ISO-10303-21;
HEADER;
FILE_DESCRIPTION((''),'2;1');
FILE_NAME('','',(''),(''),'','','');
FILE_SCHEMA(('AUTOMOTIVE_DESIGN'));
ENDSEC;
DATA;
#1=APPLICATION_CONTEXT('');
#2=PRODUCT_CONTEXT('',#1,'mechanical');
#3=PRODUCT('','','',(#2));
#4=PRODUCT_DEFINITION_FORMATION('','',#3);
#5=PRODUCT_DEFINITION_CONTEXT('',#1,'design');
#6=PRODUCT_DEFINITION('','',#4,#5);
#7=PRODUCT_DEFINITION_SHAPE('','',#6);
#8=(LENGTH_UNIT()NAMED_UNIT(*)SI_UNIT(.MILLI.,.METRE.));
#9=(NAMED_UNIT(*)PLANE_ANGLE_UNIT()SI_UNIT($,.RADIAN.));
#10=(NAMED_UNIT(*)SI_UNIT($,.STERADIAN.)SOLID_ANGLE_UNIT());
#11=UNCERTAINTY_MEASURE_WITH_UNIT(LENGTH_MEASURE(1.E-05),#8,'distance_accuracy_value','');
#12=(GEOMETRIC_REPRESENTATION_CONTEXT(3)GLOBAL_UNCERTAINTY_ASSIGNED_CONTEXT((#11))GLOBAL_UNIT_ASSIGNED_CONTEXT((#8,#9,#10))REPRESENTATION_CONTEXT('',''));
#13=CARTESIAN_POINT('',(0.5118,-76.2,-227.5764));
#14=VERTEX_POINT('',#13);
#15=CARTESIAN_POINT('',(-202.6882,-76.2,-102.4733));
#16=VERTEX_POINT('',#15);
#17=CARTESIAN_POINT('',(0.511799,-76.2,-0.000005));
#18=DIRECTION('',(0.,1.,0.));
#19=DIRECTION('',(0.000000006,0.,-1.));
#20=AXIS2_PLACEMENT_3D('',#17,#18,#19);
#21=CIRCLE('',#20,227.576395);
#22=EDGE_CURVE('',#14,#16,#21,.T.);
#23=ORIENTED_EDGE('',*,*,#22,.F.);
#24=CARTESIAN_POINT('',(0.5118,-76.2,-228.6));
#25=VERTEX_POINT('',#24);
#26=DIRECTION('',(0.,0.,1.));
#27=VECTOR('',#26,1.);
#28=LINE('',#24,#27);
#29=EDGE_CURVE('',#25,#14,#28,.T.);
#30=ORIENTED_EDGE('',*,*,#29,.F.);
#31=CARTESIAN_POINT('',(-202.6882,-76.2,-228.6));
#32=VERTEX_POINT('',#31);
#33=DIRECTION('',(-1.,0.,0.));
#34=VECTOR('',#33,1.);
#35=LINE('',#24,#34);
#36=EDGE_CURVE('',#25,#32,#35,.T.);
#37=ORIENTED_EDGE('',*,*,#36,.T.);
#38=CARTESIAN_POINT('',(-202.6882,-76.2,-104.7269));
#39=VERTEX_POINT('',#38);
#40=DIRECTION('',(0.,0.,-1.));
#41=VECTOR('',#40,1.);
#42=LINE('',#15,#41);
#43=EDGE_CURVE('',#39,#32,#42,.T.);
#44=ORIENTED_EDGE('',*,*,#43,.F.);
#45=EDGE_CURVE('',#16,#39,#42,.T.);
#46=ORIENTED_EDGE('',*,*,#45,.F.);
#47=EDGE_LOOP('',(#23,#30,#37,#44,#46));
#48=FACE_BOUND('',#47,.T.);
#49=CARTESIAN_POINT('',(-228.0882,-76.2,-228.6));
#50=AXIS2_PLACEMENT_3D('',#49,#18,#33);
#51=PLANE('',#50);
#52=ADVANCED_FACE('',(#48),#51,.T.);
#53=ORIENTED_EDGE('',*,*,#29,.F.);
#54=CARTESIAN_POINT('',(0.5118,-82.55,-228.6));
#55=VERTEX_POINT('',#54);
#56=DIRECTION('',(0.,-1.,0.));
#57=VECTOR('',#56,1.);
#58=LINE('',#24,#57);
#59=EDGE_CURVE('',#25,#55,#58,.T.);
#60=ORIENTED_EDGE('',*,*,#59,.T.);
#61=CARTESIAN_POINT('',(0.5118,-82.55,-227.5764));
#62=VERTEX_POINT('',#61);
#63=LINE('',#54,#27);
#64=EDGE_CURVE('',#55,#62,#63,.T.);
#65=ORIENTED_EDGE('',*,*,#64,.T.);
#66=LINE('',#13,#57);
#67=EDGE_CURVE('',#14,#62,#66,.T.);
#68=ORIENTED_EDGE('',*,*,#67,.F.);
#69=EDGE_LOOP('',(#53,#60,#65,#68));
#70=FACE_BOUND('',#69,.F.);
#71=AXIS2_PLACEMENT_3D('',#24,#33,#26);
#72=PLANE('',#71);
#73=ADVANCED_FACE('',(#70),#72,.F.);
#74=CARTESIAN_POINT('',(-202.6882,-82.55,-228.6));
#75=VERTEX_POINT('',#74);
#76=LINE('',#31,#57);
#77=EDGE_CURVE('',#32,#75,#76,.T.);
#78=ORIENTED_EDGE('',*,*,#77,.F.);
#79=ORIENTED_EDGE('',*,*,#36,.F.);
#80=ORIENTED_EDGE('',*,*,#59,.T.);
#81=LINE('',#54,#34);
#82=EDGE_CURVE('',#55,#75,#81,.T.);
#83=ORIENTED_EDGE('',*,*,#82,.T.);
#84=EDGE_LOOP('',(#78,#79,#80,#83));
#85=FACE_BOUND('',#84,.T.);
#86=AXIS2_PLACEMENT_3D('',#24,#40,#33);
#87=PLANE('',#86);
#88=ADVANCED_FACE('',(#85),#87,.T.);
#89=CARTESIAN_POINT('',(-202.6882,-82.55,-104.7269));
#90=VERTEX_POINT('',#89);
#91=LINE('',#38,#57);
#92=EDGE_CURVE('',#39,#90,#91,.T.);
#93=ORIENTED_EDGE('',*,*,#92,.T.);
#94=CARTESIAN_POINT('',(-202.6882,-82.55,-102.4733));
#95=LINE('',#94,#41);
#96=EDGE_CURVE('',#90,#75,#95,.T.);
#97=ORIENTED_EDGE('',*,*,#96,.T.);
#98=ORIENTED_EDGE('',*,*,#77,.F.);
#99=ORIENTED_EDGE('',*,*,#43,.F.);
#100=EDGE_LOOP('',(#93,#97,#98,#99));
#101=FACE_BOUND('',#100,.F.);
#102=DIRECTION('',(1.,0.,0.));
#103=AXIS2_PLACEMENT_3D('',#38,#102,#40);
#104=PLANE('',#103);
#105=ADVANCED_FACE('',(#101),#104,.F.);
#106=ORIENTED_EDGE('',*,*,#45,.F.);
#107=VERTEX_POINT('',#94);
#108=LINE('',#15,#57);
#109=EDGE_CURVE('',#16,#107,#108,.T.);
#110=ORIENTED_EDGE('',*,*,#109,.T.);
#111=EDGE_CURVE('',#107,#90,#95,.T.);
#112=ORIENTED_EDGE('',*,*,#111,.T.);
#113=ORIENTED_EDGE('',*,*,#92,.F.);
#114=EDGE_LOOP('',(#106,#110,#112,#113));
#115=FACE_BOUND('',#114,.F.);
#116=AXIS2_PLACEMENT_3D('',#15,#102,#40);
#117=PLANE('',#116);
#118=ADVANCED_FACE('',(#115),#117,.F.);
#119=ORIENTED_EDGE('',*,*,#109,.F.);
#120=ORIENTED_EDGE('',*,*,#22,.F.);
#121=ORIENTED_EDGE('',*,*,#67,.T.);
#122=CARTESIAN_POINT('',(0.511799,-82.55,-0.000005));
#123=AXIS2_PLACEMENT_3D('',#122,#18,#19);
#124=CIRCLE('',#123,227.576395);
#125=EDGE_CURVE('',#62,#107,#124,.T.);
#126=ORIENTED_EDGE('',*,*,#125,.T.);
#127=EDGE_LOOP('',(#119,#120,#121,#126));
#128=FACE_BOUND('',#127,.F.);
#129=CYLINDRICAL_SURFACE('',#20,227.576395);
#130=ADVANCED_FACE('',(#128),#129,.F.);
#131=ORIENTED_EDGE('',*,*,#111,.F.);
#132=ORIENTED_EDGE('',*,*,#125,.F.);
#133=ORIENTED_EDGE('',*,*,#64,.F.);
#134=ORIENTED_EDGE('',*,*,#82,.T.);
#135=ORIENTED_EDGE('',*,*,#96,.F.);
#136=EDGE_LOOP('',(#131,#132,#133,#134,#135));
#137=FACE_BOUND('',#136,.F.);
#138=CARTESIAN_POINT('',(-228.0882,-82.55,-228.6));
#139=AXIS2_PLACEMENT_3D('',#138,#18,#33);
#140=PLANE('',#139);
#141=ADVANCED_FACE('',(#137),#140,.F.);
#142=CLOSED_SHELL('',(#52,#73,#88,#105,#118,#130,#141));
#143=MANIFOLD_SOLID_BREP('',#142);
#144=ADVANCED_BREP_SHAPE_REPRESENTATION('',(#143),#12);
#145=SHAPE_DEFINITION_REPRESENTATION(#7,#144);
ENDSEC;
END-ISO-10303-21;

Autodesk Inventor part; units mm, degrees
ref_plane "YZ Plane" through (0, 0, 0) normal (1, 0, 0) x (0, 1, 0)
ref_plane "XZ Plane" through (0, 0, 0) normal (0, 1, 0) x (-1, 0, 0)
ref_plane "XY Plane" through (0, 0, 0) normal (0, 0, 1) x (1, 0, 0)
ref_plane "Work Plane1" through (-228.0882, -76.2, -228.6) normal (0, 1, 0) x (-1, 0, 0)
sketch "Sketch2" plane through (-228.0882, -76.2, -228.6) normal (0, 1, 0) x (-1, 0, 0)
  circle A0 centre (-228.6, 228.6) radius 227.5764 construction
  circle A1 centre (-228.6, 228.6) radius 228.6 construction
  arc A2 (-228.6, 1.0236) -> (-25.4, 126.1267) centre (-228.6, 228.6) ccw construction
  arc A3 (-228.6, 0) -> (-25.4, 123.8731) centre (-228.6, 228.6) ccw construction
  line L0 (-228.6, 0) -> (-25.4, 0)
  arc A4 (-228.6, 1.0236) -> (-25.4, 126.1267) centre (-228.6, 228.6) ccw
  line L1 (-228.6, 228.6) -> (-25.4, 126.1267) construction
  line L2 (-228.6, 228.6) -> (-228.6, 1.0236) construction
  line L3 (-25.4, 126.1267) -> (-25.4, 0)
  line L4 (-228.6, 0) -> (-228.6, 1.0236)
  line L5 (-228.6, 0) -> (-228.6, 1.0236) projected
  line L6 (-25.4, 123.8731) -> (-25.4, 126.1267) projected
  point P0 (-228.0882, 228.6)
  point P1 (-1.0236, 228.6)
  point P2 (0, 228.6)
  point P3 (-228.6, 228.6)
  point P4 (-228.6, 228.6)
  dimension "d14" = 203.2
extrude "Extrusion1" add sketch "Sketch2" against normal blind 6.35
properties part number "Cyclone Inlet"
